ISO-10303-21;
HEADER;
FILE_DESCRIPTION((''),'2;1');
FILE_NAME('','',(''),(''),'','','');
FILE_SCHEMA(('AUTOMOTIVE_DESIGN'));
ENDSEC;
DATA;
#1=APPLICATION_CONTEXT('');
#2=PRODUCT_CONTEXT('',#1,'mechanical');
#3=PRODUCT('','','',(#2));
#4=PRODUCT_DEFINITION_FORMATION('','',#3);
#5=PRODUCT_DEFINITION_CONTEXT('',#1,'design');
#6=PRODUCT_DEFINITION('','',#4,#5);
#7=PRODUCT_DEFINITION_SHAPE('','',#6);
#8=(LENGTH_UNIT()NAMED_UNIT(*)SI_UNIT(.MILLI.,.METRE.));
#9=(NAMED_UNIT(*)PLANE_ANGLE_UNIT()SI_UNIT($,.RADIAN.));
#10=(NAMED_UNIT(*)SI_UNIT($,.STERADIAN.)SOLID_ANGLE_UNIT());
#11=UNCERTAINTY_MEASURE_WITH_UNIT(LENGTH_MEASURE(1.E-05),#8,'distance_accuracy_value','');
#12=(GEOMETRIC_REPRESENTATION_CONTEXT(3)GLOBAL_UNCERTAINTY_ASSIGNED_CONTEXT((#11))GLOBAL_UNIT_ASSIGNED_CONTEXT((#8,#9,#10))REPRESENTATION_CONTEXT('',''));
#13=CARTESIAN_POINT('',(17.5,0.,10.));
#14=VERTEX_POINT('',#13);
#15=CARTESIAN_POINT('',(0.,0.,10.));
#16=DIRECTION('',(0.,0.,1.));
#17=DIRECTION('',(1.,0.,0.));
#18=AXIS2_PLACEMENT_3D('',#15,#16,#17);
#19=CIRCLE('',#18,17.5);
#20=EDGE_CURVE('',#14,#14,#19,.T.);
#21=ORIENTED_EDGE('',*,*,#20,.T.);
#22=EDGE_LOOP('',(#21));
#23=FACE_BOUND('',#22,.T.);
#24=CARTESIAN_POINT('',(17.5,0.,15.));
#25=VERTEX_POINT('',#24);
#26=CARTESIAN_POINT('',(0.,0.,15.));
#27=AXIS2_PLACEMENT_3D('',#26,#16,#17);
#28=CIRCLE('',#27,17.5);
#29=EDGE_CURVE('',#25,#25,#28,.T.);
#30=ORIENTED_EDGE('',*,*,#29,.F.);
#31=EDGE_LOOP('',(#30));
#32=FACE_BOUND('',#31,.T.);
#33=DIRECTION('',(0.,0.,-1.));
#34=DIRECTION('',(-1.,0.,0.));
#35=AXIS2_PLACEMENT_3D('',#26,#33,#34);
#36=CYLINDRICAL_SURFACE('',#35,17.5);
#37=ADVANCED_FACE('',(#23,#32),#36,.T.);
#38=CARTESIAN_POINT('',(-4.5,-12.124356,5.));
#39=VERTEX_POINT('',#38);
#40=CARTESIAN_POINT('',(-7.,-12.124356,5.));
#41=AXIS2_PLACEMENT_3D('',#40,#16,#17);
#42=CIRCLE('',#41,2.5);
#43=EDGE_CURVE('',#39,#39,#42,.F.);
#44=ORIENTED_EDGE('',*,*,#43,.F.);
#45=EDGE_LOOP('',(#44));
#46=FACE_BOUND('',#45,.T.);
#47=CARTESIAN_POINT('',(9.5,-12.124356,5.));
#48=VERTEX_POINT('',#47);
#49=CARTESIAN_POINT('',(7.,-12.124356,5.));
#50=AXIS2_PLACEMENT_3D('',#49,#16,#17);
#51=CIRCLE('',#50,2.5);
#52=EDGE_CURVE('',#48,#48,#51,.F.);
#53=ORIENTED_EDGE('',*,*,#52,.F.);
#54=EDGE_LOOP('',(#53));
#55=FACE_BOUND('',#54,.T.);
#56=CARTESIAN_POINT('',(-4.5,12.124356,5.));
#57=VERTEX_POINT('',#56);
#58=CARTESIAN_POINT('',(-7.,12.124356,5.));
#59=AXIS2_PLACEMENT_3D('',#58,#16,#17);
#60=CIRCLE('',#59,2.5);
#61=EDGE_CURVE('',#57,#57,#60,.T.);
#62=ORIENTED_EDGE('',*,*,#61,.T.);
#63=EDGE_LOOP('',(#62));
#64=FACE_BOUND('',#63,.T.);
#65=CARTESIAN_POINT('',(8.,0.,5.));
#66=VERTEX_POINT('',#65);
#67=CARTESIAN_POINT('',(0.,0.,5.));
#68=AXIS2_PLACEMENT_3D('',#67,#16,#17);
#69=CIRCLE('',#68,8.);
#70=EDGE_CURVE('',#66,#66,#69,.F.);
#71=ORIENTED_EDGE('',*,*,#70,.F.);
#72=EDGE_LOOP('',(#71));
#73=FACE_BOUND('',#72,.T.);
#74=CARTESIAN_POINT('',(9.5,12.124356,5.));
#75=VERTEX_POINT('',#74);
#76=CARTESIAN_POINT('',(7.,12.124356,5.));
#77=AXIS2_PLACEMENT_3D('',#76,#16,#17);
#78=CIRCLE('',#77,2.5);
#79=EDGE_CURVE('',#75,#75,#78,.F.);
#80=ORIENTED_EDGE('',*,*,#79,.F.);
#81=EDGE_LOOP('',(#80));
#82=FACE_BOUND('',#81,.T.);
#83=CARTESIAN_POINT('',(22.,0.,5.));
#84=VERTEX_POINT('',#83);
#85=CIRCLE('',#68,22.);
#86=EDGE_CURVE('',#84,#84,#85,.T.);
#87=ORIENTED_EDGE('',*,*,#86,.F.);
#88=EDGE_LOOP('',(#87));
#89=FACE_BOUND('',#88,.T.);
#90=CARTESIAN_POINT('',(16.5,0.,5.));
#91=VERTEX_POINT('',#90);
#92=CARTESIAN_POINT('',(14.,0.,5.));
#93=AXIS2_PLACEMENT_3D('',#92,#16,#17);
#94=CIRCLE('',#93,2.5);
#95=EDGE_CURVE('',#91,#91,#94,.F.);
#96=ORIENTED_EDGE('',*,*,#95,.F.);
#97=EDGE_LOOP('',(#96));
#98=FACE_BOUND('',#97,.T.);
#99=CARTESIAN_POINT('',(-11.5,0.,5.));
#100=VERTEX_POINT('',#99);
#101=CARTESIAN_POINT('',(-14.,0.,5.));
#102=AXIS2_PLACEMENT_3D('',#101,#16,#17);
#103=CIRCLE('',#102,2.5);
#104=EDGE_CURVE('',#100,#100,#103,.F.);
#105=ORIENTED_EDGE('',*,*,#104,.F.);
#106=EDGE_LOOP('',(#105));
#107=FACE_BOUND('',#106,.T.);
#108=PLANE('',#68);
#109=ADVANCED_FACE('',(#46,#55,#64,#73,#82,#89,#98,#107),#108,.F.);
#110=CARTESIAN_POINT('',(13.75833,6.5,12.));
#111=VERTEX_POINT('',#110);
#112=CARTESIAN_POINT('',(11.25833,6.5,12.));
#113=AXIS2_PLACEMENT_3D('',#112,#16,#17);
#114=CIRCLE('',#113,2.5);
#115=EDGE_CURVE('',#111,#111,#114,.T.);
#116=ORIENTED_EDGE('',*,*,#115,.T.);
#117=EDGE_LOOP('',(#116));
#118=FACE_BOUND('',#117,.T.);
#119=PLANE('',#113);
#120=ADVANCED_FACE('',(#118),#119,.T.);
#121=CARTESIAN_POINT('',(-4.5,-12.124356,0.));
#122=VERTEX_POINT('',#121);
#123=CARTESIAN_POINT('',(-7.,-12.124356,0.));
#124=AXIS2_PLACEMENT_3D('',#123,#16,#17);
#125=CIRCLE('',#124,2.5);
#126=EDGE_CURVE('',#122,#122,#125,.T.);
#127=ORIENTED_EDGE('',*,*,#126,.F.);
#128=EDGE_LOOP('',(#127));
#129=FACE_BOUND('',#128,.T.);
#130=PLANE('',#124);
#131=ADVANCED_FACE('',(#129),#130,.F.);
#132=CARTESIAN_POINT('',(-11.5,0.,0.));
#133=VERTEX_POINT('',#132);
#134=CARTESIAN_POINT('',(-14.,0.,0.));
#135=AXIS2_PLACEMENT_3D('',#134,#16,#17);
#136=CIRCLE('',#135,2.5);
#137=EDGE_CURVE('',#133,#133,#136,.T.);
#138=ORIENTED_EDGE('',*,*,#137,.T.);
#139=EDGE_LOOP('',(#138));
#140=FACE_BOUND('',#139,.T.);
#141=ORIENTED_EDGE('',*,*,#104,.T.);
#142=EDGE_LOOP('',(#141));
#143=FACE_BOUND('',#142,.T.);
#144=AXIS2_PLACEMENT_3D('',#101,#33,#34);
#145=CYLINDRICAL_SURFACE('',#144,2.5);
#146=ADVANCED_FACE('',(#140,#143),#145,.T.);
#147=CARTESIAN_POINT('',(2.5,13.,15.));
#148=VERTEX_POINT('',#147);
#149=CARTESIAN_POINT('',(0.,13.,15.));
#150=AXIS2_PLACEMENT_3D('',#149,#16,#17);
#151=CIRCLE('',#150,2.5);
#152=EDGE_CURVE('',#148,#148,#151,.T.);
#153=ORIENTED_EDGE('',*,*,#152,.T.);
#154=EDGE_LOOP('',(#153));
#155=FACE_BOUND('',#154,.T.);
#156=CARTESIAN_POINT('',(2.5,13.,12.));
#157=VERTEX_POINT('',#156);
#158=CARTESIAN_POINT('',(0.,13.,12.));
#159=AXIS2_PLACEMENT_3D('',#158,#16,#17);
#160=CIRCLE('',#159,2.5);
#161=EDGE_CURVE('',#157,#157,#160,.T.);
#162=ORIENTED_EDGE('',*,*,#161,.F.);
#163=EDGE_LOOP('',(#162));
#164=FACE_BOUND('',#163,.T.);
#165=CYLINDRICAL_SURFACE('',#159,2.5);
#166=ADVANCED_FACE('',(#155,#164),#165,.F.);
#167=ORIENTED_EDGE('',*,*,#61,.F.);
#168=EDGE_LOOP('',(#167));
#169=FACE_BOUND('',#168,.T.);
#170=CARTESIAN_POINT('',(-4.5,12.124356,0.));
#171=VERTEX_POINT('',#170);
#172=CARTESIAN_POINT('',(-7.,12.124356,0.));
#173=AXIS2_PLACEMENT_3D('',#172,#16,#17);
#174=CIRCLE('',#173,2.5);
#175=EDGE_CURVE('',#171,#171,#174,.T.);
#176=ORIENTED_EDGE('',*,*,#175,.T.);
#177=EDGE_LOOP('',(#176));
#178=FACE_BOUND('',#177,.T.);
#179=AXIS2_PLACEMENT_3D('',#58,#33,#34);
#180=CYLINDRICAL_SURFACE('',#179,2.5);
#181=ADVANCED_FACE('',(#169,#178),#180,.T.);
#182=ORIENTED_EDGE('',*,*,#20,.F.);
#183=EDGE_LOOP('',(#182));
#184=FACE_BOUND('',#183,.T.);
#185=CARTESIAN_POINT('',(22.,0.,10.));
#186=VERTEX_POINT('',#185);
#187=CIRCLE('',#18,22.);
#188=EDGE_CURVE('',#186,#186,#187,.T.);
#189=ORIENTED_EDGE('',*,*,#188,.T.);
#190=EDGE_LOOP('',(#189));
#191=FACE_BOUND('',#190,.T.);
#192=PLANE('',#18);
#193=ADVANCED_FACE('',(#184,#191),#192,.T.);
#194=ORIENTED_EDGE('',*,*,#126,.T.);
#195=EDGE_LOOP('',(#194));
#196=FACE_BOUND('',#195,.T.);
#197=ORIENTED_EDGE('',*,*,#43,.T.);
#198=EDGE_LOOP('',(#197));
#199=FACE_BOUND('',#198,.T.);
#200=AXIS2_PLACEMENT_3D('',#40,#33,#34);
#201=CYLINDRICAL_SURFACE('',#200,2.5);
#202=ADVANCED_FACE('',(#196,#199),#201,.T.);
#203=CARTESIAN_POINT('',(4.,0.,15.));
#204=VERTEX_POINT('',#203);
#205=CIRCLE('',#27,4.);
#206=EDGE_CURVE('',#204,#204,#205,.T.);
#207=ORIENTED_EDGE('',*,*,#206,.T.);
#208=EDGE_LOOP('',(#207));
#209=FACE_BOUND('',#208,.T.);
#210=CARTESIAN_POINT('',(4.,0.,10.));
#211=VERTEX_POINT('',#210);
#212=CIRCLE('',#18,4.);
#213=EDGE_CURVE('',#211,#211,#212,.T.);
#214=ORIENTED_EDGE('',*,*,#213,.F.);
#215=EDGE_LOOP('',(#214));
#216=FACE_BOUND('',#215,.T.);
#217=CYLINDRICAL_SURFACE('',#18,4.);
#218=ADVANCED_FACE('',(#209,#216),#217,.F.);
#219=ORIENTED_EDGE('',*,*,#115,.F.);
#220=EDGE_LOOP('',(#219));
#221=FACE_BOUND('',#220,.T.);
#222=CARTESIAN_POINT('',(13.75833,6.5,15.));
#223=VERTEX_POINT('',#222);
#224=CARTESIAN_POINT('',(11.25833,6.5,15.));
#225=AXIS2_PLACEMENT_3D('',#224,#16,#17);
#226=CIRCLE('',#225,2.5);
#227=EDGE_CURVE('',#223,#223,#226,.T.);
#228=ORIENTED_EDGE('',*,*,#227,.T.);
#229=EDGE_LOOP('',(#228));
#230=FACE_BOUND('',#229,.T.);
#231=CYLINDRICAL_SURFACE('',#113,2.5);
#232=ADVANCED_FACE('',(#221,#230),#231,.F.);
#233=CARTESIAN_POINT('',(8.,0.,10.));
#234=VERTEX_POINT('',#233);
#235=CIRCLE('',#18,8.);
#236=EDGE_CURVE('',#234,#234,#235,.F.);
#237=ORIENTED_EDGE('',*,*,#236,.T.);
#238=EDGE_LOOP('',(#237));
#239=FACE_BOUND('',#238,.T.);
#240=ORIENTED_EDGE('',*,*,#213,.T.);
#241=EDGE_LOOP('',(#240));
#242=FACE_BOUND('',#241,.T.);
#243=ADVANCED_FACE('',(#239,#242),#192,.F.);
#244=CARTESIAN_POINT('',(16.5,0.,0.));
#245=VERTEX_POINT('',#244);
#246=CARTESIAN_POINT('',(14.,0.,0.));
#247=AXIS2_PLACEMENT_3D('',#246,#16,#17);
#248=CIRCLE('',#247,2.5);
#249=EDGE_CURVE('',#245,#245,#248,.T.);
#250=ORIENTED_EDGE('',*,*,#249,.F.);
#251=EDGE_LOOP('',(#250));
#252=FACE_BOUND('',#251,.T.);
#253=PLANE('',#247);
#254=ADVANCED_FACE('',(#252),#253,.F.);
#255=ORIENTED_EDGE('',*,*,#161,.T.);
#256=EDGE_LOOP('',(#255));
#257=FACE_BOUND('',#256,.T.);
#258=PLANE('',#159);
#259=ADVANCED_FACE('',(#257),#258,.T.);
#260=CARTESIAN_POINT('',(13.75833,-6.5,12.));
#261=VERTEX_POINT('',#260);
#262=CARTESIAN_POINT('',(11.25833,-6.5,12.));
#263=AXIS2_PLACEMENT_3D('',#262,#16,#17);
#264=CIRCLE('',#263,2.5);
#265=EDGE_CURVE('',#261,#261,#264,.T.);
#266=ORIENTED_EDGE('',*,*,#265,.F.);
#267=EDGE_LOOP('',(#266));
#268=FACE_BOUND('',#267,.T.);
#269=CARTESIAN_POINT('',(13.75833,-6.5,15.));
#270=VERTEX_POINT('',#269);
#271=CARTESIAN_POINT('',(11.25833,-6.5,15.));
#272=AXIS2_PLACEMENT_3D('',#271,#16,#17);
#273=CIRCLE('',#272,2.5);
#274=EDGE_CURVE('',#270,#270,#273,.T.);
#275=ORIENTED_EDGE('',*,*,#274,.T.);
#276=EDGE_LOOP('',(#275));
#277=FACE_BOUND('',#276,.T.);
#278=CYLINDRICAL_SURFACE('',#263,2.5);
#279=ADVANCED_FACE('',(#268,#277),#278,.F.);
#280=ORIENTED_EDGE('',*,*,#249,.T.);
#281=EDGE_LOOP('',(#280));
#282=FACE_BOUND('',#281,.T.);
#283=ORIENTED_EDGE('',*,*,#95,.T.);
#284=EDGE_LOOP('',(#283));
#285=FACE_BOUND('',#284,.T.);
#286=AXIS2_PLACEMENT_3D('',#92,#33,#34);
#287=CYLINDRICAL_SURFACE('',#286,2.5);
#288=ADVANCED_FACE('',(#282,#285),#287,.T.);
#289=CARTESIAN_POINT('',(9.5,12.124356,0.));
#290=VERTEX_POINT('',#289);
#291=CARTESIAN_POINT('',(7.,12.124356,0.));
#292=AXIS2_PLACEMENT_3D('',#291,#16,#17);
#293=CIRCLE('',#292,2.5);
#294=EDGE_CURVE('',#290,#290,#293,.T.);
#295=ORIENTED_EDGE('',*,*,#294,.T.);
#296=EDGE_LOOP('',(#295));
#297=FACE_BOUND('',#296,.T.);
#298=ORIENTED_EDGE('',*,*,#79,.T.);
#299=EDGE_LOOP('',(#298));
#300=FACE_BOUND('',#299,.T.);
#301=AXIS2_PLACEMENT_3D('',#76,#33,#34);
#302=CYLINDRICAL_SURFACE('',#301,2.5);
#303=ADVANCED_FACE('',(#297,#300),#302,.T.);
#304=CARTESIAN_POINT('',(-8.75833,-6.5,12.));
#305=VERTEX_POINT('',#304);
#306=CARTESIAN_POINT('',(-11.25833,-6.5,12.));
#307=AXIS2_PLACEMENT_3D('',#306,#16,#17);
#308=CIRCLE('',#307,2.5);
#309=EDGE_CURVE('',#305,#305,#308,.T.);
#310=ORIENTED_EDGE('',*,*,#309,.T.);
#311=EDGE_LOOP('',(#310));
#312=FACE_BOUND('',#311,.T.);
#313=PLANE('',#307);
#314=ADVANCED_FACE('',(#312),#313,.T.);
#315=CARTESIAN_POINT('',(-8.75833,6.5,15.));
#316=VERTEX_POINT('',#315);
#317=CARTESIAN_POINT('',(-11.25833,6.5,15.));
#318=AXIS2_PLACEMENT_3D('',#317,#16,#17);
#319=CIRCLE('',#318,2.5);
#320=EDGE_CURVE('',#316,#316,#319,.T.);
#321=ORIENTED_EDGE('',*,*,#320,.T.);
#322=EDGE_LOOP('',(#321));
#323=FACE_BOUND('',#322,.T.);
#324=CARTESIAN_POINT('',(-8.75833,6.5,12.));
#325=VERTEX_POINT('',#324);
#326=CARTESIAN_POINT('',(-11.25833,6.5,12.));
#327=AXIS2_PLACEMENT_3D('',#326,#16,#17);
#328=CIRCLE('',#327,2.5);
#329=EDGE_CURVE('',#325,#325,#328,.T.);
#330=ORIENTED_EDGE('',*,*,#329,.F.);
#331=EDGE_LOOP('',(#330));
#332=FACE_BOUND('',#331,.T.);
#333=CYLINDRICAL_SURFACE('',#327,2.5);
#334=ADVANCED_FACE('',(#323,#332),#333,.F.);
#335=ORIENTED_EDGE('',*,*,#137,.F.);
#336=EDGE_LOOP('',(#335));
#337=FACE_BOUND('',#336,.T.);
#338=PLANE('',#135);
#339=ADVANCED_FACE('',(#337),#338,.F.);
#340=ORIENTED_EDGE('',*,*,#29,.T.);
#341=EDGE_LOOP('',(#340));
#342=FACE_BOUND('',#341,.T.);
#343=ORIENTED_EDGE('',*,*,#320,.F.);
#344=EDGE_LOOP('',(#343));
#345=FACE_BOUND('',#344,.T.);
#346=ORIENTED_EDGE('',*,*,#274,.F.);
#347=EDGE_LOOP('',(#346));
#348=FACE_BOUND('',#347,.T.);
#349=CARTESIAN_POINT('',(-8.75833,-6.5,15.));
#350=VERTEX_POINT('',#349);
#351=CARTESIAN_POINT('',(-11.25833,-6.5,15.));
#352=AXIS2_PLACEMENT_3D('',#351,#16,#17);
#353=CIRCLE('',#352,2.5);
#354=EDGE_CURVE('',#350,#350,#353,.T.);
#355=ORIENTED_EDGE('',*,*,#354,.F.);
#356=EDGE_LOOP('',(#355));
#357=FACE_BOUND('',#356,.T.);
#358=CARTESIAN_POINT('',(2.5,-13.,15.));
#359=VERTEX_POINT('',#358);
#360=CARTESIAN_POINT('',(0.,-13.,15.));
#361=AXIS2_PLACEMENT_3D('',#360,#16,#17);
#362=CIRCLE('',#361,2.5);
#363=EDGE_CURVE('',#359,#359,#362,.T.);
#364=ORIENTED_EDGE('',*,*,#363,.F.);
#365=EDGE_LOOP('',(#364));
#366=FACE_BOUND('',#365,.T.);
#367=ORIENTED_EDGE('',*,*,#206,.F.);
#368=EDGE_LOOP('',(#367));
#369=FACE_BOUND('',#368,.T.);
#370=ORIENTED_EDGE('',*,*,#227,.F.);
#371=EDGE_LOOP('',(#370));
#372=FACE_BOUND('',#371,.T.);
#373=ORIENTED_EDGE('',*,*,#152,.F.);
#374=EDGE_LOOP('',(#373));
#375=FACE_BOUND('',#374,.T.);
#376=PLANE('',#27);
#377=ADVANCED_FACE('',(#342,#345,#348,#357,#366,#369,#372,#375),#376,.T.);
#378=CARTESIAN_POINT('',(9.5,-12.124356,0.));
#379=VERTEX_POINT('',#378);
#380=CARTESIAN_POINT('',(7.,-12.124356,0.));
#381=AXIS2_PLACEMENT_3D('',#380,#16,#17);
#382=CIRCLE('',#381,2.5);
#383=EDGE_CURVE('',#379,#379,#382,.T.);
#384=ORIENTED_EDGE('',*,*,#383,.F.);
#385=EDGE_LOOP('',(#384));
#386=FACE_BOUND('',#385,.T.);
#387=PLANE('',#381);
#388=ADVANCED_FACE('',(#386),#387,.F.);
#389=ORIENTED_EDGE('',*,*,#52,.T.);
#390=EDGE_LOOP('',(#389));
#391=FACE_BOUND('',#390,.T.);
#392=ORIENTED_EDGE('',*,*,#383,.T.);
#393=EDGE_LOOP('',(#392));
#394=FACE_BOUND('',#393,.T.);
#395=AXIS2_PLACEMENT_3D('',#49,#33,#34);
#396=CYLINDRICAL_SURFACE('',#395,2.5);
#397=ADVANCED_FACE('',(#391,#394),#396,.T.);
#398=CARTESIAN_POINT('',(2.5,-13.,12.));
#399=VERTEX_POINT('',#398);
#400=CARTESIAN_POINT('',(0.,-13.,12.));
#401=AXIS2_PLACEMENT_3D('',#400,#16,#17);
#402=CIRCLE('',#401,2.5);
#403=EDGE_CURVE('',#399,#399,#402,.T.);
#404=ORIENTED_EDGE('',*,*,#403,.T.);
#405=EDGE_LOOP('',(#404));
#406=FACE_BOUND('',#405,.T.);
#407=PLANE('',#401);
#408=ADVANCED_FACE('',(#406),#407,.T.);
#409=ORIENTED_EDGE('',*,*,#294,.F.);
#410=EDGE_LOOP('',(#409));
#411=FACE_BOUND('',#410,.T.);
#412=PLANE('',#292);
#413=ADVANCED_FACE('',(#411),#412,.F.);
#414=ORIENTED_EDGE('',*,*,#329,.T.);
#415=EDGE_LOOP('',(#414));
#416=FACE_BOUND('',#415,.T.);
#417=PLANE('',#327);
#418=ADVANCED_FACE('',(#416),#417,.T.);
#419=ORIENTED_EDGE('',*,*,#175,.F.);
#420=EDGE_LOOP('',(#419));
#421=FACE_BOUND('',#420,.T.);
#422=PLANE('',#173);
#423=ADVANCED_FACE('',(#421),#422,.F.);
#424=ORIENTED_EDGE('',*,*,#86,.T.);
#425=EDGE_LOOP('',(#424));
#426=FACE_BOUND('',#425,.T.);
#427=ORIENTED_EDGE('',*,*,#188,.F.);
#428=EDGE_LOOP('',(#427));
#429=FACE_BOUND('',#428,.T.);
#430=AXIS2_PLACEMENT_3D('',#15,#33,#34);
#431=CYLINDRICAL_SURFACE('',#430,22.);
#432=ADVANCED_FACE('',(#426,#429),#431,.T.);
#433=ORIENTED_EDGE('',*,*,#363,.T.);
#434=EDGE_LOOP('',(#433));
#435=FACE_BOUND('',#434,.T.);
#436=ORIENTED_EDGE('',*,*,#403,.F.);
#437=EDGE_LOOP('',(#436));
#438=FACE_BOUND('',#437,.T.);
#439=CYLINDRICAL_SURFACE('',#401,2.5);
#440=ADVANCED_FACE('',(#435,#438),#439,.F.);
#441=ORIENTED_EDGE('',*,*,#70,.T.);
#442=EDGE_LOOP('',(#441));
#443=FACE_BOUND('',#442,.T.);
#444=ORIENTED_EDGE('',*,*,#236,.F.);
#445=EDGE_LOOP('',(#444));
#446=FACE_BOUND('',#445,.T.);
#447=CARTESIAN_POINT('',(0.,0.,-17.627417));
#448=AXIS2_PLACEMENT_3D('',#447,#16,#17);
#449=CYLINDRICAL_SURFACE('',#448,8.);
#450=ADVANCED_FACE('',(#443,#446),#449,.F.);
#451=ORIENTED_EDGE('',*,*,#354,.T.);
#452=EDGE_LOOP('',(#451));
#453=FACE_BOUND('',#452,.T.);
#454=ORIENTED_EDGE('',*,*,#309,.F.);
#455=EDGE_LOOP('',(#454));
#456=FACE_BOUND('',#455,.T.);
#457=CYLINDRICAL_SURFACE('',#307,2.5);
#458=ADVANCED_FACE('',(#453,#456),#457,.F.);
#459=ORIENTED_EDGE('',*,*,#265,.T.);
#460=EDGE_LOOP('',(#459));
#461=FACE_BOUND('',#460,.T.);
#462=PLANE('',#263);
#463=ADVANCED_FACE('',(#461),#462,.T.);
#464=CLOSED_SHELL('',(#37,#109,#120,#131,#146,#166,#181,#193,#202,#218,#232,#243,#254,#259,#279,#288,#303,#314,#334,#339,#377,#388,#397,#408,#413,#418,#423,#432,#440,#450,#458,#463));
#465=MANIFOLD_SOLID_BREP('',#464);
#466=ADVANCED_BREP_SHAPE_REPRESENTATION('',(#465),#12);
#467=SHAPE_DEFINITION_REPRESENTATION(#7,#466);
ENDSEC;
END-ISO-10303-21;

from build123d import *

# Parameters (mm, degrees)
SKETCH2_R             = 2.5
BOSS_EXTRUDE1_DEPTH   = 5
BOSS_EXTRUDE1_2_DEPTH = 5
BOSS_EXTRUDE1_3_DEPTH = 5
BOSS_EXTRUDE1_4_DEPTH = 5
BOSS_EXTRUDE1_5_DEPTH = 5
BOSS_EXTRUDE1_6_DEPTH = 5
SKETCH3_R             = 22
BOSS_EXTRUDE2_DEPTH   = 5
SKETCH4_R             = 17.5
BOSS_EXTRUDE3_DEPTH   = 5
SKETCH5_R             = 8
CUT_EXTRUDE1_DEPTH    = 10
SKETCH11_R            = 2.5
CUT_EXTRUDE4_DEPTH    = 3
SKETCH13_R            = 8
SKETCH13_R_2          = 4
BOSS_EXTRUDE5_DEPTH   = 5


with BuildPart() as part:
    # Sketch2 → Boss-Extrude1 (new body)
    with BuildSketch(Plane.XY):
        with Locations((-7, 12.124355653)):
            Circle(SKETCH2_R)
    extrude(amount=BOSS_EXTRUDE1_DEPTH)



with BuildPart() as body_2:
    # Sketch2 → Boss-Extrude1 2 (new body)
    with BuildSketch(Plane.XY):
        with Locations((7, 12.124355653)):
            Circle(SKETCH2_R)
    extrude(amount=BOSS_EXTRUDE1_2_DEPTH)


with BuildPart() as body_3:
    # Sketch2 → Boss-Extrude1 3 (new body)
    with BuildSketch(Plane.XY):
        with Locations((14, 0)):
            Circle(SKETCH2_R)
    extrude(amount=BOSS_EXTRUDE1_3_DEPTH)


with BuildPart() as body_4:
    # Sketch2 → Boss-Extrude1 4 (new body)
    with BuildSketch(Plane.XY):
        with Locations((7, -12.124355653)):
            Circle(SKETCH2_R)
    extrude(amount=BOSS_EXTRUDE1_4_DEPTH)


with BuildPart() as body_5:
    # Sketch2 → Boss-Extrude1 5 (new body)
    with BuildSketch(Plane.XY):
        with Locations((-7, -12.124355653)):
            Circle(SKETCH2_R)
    extrude(amount=BOSS_EXTRUDE1_5_DEPTH)


with BuildPart() as body_6:
    # Sketch2 → Boss-Extrude1 6 (new body)
    with BuildSketch(Plane.XY):
        with Locations((-14, 0)):
            Circle(SKETCH2_R)
    extrude(amount=BOSS_EXTRUDE1_6_DEPTH)


with BuildPart() as part_1:
    add(part.part)

    add(body_2.part)  # Boss-Extrude2 merges body 2

    add(body_3.part)  # Boss-Extrude2 merges body 3

    add(body_4.part)  # Boss-Extrude2 merges body 4

    add(body_5.part)  # Boss-Extrude2 merges body 5

    add(body_6.part)  # Boss-Extrude2 merges body 6
    # Sketch3 → Boss-Extrude2 (add)
    with BuildSketch(Plane.XY.offset(5)):
        Circle(SKETCH3_R)
    extrude(amount=BOSS_EXTRUDE2_DEPTH)

    # Sketch4 → Boss-Extrude3 (add)
    with BuildSketch(Plane.XY.offset(10)):
        Circle(SKETCH4_R)
    extrude(amount=BOSS_EXTRUDE3_DEPTH)

    # Sketch5 → Cut-Extrude1 (cut)
    with BuildSketch(Plane.XY.offset(15)):
        Circle(SKETCH5_R)
    extrude(amount=-CUT_EXTRUDE1_DEPTH, mode=Mode.SUBTRACT)

    # Sketch11 → Cut-Extrude4 (cut)
    with BuildSketch(Plane.XY.offset(15)):
        with Locations((0, 13)):
            Circle(SKETCH11_R)
        with Locations((11.258330249, 6.5)):
            Circle(SKETCH11_R)
        with Locations((11.258330249, -6.5)):
            Circle(SKETCH11_R)
        with Locations((0, -13)):
            Circle(SKETCH11_R)
        with Locations((-11.258330249, -6.5)):
            Circle(SKETCH11_R)
        with Locations((-11.258330249, 6.5)):
            Circle(SKETCH11_R)
    extrude(amount=-CUT_EXTRUDE4_DEPTH, mode=Mode.SUBTRACT)

    # Sketch13 → Boss-Extrude5 (add)
    with BuildSketch(Plane.XY.offset(15)):
        Circle(SKETCH13_R)
        Circle(SKETCH13_R_2, mode=Mode.SUBTRACT)
    extrude(amount=-BOSS_EXTRUDE5_DEPTH)


solid = part_1.part
